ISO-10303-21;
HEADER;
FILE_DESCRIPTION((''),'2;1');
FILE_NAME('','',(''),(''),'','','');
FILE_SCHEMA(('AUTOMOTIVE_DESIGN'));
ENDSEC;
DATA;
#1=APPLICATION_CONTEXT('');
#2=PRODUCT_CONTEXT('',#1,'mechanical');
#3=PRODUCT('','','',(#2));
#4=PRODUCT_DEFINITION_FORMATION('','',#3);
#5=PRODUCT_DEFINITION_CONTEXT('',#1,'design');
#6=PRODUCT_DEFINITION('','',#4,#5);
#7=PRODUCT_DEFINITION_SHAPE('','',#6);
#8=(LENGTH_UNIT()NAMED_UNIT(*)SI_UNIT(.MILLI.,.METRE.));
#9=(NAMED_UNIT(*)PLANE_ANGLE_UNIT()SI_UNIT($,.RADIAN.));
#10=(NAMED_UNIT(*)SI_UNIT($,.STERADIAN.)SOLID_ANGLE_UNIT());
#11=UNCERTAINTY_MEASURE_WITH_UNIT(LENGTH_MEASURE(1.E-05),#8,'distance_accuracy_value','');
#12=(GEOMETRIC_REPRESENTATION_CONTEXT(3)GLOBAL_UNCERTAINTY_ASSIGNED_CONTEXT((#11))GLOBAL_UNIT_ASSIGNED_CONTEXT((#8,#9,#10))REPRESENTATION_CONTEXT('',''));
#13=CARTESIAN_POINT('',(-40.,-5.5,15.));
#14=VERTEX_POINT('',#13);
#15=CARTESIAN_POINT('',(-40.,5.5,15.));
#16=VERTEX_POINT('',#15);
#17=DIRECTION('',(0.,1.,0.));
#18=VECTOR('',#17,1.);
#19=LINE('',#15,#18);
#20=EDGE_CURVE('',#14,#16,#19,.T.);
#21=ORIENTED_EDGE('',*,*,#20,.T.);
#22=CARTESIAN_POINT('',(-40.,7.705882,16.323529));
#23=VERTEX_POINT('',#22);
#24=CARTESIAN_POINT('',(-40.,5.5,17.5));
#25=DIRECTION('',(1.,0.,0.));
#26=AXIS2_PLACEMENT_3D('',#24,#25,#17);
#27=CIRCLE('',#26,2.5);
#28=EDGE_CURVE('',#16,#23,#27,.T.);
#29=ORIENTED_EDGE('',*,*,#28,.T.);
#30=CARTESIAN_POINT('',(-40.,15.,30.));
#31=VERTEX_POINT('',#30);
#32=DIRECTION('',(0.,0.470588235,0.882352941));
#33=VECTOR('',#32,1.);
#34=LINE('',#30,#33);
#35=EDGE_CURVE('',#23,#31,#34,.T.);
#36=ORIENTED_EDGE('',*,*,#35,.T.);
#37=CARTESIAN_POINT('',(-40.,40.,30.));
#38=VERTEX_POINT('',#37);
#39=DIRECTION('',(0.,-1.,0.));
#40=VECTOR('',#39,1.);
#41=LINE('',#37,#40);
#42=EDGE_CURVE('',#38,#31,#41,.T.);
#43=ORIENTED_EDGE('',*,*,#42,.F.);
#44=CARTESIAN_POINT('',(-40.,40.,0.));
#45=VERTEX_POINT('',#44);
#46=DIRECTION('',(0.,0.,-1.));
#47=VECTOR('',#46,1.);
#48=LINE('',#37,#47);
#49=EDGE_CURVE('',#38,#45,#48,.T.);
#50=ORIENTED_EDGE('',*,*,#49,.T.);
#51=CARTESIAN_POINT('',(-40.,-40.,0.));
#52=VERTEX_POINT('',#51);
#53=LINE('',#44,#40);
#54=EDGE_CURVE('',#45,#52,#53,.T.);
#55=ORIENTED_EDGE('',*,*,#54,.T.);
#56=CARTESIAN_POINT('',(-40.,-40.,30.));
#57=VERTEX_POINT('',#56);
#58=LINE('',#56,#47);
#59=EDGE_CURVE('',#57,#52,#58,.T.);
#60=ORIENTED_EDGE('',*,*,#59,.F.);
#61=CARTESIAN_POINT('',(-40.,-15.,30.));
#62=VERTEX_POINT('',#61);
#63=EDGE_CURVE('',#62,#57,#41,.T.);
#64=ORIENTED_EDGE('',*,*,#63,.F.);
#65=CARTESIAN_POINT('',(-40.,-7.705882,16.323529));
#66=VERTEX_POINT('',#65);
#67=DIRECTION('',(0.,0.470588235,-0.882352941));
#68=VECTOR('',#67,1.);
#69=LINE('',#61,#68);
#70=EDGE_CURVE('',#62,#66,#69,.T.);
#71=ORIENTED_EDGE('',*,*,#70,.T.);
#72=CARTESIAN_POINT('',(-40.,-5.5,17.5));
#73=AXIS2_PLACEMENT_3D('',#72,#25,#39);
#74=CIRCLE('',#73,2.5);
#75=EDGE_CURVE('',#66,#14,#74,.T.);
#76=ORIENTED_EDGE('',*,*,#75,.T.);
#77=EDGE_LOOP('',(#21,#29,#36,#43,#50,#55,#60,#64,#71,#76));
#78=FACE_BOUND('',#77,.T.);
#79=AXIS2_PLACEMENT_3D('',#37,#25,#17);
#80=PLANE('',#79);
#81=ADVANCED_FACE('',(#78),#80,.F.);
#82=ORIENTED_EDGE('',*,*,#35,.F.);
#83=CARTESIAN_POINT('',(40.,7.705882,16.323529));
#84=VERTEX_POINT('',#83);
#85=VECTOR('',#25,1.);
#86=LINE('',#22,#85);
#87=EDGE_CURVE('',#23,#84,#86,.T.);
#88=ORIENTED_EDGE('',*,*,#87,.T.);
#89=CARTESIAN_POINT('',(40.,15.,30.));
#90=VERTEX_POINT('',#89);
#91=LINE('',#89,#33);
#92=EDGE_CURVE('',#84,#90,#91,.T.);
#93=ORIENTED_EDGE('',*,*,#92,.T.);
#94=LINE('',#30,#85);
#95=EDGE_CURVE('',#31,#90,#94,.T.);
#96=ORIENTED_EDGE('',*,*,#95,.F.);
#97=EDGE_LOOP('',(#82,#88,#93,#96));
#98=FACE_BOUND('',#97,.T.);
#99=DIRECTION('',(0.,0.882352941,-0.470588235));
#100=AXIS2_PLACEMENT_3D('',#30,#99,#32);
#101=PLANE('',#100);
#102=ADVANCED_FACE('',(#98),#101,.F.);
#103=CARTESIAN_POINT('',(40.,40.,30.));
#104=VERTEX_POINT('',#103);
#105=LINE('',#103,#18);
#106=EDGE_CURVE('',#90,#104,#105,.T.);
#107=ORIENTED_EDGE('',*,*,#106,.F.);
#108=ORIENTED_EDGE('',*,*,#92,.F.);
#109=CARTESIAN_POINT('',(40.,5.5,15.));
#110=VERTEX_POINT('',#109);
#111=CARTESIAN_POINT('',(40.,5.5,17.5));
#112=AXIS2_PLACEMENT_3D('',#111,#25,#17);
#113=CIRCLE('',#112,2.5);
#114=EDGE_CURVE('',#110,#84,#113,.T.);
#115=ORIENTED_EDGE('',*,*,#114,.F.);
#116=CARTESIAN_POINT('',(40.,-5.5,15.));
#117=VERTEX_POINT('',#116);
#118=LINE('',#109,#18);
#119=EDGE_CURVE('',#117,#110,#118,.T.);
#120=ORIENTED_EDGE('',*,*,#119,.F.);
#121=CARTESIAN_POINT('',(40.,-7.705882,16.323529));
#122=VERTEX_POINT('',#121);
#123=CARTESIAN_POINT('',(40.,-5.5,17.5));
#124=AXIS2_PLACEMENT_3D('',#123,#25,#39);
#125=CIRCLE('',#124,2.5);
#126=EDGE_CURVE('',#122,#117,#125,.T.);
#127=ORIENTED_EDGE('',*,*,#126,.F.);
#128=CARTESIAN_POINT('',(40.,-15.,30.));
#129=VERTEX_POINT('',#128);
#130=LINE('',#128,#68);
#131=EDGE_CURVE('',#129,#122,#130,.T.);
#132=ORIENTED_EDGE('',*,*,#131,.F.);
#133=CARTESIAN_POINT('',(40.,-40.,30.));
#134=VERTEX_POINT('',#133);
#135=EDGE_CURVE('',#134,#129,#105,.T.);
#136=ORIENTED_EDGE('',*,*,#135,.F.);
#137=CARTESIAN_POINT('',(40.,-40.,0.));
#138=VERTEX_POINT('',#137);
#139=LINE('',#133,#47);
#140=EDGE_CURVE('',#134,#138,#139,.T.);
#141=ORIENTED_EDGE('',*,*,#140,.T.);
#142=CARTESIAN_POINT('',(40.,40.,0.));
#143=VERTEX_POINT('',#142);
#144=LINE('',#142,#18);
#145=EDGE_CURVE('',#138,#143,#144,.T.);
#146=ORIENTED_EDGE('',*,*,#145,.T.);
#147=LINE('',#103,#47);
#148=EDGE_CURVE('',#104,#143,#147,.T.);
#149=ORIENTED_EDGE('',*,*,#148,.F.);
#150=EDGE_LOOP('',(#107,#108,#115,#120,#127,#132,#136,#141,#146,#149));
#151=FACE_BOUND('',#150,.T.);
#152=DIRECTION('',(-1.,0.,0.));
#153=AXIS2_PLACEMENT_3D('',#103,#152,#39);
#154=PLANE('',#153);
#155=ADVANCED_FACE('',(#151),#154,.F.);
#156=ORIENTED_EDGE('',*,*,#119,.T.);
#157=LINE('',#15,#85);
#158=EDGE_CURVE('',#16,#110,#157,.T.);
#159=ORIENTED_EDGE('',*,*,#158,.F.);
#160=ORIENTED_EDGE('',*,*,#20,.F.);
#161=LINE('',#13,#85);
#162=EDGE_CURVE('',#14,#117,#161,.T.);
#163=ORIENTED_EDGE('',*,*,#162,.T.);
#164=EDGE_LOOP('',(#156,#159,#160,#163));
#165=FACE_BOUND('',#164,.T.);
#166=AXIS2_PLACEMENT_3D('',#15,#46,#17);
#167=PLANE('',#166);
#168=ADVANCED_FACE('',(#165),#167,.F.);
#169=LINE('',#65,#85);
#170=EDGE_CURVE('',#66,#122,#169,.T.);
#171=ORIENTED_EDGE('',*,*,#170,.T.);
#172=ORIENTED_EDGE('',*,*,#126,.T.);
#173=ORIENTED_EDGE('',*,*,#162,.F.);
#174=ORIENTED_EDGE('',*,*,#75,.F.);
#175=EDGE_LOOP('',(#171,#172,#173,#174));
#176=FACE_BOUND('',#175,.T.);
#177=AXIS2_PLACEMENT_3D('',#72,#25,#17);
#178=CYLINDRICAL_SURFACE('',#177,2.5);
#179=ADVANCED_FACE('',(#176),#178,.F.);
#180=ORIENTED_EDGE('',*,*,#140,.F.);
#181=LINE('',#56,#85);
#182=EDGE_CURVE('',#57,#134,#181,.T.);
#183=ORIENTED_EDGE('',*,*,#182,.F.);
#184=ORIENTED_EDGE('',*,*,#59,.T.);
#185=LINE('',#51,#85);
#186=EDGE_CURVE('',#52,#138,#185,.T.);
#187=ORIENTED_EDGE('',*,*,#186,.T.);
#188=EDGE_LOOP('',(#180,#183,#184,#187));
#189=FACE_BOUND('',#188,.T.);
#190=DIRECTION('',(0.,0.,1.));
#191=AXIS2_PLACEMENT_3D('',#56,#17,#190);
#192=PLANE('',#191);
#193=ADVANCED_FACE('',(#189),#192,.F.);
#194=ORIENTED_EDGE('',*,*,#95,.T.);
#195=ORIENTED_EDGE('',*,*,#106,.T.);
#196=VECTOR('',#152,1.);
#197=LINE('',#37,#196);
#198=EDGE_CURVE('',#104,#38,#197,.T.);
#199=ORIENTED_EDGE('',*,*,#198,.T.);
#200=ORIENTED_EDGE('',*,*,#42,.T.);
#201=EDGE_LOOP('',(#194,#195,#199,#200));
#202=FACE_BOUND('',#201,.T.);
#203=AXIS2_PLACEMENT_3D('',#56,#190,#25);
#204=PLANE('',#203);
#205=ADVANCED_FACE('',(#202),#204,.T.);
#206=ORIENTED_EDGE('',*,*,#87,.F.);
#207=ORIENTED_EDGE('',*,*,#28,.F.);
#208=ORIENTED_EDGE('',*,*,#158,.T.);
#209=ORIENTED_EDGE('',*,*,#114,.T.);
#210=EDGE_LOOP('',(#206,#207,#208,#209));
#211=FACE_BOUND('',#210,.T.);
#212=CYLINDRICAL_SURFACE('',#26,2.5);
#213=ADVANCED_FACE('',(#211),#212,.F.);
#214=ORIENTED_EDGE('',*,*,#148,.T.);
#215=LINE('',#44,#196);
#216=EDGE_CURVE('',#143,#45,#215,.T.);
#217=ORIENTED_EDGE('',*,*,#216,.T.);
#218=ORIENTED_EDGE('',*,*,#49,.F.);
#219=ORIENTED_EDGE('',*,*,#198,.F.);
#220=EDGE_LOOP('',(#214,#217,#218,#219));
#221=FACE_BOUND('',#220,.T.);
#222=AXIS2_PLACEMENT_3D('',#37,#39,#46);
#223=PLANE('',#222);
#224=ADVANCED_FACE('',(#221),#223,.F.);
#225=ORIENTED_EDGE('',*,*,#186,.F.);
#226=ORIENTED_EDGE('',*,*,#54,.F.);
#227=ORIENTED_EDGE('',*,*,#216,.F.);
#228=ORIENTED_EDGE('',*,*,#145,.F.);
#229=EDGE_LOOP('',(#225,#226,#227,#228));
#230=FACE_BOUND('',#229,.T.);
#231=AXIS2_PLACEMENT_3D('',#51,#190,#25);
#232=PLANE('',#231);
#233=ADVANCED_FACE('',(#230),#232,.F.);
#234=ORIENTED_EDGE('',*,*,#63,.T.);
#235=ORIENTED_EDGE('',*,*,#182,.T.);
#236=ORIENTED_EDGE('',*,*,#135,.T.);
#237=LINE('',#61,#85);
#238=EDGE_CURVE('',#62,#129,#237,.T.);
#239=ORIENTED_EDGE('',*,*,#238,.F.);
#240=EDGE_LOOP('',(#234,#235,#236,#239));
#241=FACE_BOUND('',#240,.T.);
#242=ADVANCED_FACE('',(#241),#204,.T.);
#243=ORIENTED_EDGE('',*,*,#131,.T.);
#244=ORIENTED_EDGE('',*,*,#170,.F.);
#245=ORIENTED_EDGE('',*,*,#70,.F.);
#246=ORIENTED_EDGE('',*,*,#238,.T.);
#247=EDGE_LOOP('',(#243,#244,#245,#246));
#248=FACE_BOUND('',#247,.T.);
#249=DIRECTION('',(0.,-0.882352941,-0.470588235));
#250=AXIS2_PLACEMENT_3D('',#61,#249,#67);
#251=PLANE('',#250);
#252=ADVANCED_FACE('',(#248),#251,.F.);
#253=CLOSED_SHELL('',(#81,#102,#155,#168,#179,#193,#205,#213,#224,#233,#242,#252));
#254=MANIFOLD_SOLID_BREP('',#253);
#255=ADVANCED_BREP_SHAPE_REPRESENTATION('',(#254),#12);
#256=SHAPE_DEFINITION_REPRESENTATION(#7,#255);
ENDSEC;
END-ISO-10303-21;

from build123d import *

# Parameters (mm, degrees)
CROQUIS1_W              = 80
CROQUIS1_H              = 80
SALIENTE_EXTRUIR1_DEPTH = 30
CORTAR_EXTRUIR1_DEPTH   = 95.339811321


with BuildPart() as part:
    # Croquis1 → Saliente-Extruir1 (new body)
    with BuildSketch(Plane.XY):
        Rectangle(CROQUIS1_W, CROQUIS1_H)
    extrude(amount=SALIENTE_EXTRUIR1_DEPTH)

    # Croquis2 → Cortar-Extruir1 (cut, through all)
    with BuildSketch(Plane(origin=(40, 0, 0), x_dir=(0, 0, -1), z_dir=(1, 0, 0))):
        with BuildLine():
            Line((-30, 15), (-16.323529412, 7.705882353))
            ThreePointArc((-16.323529412, 7.705882353), (-15.356267686, 6.786239389), (-15, 5.5))
            Line((-15, 5.5), (-15, -5.5))
            ThreePointArc((-15, -5.5), (-15.356267686, -6.786239389), (-16.323529412, -7.705882353))
            Line((-16.323529412, -7.705882353), (-30, -15))
            Line((-30, -15), (-30, 15))
        make_face()
    extrude(amount=-CORTAR_EXTRUIR1_DEPTH, mode=Mode.SUBTRACT)


solid = part.part
